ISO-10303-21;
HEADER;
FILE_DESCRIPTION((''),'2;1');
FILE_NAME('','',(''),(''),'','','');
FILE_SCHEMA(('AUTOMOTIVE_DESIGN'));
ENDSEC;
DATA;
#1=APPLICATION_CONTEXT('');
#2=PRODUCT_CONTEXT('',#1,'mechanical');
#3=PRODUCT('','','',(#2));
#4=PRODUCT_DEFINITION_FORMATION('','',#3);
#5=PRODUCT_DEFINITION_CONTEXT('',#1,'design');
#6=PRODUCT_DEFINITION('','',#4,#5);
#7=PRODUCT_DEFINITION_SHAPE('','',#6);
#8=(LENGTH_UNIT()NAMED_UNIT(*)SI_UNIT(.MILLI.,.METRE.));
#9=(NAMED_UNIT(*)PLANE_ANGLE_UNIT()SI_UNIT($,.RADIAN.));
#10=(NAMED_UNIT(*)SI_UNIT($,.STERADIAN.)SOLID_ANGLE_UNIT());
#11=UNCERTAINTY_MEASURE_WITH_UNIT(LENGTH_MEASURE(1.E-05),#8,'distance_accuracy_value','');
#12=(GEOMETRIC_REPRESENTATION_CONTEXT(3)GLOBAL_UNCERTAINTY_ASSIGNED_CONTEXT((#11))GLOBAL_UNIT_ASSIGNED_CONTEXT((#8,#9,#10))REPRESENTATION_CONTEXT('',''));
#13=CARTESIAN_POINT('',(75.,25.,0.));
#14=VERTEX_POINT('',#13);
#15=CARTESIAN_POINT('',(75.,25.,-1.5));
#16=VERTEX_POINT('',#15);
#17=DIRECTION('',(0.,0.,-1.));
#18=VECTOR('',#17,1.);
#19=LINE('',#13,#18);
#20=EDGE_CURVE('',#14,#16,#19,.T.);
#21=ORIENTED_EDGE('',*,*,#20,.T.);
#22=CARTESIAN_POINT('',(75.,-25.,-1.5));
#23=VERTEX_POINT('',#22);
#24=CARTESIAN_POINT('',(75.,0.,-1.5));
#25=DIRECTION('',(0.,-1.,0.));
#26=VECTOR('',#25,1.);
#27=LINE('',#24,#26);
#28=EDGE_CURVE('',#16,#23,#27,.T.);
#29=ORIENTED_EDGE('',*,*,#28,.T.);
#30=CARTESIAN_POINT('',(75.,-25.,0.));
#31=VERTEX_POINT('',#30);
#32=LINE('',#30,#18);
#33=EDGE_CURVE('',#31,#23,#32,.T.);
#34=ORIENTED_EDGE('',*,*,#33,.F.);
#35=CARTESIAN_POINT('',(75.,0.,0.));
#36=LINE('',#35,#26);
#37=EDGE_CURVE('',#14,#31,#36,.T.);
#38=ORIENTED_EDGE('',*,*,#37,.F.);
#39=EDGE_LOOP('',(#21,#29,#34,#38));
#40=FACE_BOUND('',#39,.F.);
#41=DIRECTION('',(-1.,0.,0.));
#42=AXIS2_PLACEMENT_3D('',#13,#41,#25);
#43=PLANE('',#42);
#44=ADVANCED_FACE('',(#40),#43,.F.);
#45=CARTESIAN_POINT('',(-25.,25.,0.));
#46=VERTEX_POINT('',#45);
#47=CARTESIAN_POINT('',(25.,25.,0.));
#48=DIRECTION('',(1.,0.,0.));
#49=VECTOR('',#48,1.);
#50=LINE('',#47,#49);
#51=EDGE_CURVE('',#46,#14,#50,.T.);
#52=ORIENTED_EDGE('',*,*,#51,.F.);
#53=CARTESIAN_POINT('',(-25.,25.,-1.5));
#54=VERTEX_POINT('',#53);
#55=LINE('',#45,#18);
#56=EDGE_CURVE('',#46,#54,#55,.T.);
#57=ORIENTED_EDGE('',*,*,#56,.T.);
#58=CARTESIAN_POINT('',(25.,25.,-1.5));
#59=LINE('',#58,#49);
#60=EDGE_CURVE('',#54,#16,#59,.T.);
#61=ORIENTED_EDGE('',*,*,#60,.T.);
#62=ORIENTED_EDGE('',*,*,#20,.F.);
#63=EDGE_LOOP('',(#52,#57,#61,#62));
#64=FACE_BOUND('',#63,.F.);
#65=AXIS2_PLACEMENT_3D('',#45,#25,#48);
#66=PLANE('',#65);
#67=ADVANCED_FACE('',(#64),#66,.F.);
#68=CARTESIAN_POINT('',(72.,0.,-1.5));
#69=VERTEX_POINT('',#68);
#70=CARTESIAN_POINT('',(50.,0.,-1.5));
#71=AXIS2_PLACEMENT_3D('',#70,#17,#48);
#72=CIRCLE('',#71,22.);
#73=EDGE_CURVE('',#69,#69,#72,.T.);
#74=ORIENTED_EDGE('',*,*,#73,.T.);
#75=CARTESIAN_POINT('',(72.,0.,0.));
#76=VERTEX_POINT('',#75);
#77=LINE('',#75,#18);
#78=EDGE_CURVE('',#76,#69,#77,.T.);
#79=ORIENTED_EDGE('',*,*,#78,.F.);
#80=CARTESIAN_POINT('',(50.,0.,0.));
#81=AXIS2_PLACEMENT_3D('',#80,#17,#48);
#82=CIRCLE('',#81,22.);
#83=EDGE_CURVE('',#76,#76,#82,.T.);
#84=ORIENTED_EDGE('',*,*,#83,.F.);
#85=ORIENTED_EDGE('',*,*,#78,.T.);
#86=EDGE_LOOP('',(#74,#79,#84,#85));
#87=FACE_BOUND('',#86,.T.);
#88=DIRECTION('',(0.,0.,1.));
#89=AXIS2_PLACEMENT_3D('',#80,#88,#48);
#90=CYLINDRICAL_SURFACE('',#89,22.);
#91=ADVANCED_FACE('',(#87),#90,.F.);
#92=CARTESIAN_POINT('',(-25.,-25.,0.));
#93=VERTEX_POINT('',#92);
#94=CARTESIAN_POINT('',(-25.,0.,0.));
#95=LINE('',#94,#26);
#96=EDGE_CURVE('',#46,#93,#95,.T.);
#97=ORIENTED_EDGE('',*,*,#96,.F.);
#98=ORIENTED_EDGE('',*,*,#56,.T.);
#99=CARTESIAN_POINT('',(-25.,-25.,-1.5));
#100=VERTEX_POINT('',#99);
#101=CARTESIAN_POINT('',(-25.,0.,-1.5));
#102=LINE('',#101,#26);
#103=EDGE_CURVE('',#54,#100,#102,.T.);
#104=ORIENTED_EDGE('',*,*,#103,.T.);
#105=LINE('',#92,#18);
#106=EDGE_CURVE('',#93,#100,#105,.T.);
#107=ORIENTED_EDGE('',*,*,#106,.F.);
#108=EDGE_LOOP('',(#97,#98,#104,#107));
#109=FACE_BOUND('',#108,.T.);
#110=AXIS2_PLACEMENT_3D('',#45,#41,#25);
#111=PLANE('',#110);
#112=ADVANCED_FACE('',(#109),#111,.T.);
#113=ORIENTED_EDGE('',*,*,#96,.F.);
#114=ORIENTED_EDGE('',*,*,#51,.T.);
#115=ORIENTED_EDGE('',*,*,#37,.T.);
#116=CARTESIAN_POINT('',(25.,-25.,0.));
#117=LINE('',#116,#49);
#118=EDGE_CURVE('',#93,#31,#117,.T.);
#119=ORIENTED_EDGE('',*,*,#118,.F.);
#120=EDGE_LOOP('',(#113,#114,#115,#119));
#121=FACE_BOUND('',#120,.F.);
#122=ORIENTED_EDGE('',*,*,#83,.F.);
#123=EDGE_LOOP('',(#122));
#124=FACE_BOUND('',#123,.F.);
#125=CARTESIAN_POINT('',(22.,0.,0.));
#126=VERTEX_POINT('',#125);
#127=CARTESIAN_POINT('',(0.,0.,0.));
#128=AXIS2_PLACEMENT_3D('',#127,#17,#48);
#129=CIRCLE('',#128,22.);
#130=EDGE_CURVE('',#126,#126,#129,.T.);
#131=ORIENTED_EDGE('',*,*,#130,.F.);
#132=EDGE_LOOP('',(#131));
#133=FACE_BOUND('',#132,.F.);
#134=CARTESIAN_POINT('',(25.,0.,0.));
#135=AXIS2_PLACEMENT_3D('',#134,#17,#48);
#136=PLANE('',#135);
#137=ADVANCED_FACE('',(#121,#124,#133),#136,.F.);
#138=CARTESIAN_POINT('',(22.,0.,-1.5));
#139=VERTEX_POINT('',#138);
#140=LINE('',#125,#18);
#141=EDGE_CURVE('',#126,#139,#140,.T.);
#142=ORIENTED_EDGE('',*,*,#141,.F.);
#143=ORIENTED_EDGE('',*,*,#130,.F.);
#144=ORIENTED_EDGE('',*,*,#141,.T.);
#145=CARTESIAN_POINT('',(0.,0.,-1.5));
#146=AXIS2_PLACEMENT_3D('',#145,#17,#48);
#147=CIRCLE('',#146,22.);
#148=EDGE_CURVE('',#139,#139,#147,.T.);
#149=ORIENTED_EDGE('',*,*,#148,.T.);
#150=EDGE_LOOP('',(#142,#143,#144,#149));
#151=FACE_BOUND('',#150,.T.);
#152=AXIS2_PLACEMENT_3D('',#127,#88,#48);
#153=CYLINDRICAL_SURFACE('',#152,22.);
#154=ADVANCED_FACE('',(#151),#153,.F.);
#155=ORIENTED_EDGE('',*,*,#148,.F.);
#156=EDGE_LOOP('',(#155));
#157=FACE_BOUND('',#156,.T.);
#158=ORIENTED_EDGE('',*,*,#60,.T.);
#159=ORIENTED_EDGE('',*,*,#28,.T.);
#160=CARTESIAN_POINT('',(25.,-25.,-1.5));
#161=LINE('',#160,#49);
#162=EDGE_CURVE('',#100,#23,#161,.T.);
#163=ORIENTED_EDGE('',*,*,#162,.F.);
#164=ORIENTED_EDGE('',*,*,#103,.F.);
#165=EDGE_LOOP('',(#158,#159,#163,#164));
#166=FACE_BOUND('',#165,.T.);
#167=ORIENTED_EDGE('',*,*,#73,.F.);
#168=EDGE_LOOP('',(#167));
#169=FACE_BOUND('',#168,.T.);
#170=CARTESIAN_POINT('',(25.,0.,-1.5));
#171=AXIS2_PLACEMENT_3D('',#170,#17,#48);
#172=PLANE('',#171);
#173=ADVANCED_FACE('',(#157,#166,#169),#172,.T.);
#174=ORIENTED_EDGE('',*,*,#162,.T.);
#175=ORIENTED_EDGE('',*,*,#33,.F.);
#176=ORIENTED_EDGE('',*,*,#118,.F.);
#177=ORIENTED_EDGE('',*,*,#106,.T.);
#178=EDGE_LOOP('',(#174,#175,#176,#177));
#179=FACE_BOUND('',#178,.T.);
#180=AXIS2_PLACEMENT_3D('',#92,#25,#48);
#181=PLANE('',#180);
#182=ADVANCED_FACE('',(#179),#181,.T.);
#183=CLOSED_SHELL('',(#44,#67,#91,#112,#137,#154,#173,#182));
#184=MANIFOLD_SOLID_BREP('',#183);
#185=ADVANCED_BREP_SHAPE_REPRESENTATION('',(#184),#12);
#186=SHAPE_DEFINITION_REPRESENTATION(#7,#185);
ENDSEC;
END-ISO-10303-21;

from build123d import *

# Parameters (mm, degrees)
SKETCH001_W = 100
SKETCH001_H = 50
SKETCH001_R = 22
PAD_DEPTH   = 1.5


with BuildPart() as part:
    # Sketch001 → Pad (new body)
    with BuildSketch(Plane(origin=(0, 0, 0), x_dir=(1, 0, 0), z_dir=(0, 0, -1))):
        with Locations((25, 0)):
            Rectangle(SKETCH001_W, SKETCH001_H)
        Circle(SKETCH001_R, mode=Mode.SUBTRACT)
        with Locations((50, 0)):
            Circle(SKETCH001_R, mode=Mode.SUBTRACT)
    extrude(amount=PAD_DEPTH)


solid = part.part
